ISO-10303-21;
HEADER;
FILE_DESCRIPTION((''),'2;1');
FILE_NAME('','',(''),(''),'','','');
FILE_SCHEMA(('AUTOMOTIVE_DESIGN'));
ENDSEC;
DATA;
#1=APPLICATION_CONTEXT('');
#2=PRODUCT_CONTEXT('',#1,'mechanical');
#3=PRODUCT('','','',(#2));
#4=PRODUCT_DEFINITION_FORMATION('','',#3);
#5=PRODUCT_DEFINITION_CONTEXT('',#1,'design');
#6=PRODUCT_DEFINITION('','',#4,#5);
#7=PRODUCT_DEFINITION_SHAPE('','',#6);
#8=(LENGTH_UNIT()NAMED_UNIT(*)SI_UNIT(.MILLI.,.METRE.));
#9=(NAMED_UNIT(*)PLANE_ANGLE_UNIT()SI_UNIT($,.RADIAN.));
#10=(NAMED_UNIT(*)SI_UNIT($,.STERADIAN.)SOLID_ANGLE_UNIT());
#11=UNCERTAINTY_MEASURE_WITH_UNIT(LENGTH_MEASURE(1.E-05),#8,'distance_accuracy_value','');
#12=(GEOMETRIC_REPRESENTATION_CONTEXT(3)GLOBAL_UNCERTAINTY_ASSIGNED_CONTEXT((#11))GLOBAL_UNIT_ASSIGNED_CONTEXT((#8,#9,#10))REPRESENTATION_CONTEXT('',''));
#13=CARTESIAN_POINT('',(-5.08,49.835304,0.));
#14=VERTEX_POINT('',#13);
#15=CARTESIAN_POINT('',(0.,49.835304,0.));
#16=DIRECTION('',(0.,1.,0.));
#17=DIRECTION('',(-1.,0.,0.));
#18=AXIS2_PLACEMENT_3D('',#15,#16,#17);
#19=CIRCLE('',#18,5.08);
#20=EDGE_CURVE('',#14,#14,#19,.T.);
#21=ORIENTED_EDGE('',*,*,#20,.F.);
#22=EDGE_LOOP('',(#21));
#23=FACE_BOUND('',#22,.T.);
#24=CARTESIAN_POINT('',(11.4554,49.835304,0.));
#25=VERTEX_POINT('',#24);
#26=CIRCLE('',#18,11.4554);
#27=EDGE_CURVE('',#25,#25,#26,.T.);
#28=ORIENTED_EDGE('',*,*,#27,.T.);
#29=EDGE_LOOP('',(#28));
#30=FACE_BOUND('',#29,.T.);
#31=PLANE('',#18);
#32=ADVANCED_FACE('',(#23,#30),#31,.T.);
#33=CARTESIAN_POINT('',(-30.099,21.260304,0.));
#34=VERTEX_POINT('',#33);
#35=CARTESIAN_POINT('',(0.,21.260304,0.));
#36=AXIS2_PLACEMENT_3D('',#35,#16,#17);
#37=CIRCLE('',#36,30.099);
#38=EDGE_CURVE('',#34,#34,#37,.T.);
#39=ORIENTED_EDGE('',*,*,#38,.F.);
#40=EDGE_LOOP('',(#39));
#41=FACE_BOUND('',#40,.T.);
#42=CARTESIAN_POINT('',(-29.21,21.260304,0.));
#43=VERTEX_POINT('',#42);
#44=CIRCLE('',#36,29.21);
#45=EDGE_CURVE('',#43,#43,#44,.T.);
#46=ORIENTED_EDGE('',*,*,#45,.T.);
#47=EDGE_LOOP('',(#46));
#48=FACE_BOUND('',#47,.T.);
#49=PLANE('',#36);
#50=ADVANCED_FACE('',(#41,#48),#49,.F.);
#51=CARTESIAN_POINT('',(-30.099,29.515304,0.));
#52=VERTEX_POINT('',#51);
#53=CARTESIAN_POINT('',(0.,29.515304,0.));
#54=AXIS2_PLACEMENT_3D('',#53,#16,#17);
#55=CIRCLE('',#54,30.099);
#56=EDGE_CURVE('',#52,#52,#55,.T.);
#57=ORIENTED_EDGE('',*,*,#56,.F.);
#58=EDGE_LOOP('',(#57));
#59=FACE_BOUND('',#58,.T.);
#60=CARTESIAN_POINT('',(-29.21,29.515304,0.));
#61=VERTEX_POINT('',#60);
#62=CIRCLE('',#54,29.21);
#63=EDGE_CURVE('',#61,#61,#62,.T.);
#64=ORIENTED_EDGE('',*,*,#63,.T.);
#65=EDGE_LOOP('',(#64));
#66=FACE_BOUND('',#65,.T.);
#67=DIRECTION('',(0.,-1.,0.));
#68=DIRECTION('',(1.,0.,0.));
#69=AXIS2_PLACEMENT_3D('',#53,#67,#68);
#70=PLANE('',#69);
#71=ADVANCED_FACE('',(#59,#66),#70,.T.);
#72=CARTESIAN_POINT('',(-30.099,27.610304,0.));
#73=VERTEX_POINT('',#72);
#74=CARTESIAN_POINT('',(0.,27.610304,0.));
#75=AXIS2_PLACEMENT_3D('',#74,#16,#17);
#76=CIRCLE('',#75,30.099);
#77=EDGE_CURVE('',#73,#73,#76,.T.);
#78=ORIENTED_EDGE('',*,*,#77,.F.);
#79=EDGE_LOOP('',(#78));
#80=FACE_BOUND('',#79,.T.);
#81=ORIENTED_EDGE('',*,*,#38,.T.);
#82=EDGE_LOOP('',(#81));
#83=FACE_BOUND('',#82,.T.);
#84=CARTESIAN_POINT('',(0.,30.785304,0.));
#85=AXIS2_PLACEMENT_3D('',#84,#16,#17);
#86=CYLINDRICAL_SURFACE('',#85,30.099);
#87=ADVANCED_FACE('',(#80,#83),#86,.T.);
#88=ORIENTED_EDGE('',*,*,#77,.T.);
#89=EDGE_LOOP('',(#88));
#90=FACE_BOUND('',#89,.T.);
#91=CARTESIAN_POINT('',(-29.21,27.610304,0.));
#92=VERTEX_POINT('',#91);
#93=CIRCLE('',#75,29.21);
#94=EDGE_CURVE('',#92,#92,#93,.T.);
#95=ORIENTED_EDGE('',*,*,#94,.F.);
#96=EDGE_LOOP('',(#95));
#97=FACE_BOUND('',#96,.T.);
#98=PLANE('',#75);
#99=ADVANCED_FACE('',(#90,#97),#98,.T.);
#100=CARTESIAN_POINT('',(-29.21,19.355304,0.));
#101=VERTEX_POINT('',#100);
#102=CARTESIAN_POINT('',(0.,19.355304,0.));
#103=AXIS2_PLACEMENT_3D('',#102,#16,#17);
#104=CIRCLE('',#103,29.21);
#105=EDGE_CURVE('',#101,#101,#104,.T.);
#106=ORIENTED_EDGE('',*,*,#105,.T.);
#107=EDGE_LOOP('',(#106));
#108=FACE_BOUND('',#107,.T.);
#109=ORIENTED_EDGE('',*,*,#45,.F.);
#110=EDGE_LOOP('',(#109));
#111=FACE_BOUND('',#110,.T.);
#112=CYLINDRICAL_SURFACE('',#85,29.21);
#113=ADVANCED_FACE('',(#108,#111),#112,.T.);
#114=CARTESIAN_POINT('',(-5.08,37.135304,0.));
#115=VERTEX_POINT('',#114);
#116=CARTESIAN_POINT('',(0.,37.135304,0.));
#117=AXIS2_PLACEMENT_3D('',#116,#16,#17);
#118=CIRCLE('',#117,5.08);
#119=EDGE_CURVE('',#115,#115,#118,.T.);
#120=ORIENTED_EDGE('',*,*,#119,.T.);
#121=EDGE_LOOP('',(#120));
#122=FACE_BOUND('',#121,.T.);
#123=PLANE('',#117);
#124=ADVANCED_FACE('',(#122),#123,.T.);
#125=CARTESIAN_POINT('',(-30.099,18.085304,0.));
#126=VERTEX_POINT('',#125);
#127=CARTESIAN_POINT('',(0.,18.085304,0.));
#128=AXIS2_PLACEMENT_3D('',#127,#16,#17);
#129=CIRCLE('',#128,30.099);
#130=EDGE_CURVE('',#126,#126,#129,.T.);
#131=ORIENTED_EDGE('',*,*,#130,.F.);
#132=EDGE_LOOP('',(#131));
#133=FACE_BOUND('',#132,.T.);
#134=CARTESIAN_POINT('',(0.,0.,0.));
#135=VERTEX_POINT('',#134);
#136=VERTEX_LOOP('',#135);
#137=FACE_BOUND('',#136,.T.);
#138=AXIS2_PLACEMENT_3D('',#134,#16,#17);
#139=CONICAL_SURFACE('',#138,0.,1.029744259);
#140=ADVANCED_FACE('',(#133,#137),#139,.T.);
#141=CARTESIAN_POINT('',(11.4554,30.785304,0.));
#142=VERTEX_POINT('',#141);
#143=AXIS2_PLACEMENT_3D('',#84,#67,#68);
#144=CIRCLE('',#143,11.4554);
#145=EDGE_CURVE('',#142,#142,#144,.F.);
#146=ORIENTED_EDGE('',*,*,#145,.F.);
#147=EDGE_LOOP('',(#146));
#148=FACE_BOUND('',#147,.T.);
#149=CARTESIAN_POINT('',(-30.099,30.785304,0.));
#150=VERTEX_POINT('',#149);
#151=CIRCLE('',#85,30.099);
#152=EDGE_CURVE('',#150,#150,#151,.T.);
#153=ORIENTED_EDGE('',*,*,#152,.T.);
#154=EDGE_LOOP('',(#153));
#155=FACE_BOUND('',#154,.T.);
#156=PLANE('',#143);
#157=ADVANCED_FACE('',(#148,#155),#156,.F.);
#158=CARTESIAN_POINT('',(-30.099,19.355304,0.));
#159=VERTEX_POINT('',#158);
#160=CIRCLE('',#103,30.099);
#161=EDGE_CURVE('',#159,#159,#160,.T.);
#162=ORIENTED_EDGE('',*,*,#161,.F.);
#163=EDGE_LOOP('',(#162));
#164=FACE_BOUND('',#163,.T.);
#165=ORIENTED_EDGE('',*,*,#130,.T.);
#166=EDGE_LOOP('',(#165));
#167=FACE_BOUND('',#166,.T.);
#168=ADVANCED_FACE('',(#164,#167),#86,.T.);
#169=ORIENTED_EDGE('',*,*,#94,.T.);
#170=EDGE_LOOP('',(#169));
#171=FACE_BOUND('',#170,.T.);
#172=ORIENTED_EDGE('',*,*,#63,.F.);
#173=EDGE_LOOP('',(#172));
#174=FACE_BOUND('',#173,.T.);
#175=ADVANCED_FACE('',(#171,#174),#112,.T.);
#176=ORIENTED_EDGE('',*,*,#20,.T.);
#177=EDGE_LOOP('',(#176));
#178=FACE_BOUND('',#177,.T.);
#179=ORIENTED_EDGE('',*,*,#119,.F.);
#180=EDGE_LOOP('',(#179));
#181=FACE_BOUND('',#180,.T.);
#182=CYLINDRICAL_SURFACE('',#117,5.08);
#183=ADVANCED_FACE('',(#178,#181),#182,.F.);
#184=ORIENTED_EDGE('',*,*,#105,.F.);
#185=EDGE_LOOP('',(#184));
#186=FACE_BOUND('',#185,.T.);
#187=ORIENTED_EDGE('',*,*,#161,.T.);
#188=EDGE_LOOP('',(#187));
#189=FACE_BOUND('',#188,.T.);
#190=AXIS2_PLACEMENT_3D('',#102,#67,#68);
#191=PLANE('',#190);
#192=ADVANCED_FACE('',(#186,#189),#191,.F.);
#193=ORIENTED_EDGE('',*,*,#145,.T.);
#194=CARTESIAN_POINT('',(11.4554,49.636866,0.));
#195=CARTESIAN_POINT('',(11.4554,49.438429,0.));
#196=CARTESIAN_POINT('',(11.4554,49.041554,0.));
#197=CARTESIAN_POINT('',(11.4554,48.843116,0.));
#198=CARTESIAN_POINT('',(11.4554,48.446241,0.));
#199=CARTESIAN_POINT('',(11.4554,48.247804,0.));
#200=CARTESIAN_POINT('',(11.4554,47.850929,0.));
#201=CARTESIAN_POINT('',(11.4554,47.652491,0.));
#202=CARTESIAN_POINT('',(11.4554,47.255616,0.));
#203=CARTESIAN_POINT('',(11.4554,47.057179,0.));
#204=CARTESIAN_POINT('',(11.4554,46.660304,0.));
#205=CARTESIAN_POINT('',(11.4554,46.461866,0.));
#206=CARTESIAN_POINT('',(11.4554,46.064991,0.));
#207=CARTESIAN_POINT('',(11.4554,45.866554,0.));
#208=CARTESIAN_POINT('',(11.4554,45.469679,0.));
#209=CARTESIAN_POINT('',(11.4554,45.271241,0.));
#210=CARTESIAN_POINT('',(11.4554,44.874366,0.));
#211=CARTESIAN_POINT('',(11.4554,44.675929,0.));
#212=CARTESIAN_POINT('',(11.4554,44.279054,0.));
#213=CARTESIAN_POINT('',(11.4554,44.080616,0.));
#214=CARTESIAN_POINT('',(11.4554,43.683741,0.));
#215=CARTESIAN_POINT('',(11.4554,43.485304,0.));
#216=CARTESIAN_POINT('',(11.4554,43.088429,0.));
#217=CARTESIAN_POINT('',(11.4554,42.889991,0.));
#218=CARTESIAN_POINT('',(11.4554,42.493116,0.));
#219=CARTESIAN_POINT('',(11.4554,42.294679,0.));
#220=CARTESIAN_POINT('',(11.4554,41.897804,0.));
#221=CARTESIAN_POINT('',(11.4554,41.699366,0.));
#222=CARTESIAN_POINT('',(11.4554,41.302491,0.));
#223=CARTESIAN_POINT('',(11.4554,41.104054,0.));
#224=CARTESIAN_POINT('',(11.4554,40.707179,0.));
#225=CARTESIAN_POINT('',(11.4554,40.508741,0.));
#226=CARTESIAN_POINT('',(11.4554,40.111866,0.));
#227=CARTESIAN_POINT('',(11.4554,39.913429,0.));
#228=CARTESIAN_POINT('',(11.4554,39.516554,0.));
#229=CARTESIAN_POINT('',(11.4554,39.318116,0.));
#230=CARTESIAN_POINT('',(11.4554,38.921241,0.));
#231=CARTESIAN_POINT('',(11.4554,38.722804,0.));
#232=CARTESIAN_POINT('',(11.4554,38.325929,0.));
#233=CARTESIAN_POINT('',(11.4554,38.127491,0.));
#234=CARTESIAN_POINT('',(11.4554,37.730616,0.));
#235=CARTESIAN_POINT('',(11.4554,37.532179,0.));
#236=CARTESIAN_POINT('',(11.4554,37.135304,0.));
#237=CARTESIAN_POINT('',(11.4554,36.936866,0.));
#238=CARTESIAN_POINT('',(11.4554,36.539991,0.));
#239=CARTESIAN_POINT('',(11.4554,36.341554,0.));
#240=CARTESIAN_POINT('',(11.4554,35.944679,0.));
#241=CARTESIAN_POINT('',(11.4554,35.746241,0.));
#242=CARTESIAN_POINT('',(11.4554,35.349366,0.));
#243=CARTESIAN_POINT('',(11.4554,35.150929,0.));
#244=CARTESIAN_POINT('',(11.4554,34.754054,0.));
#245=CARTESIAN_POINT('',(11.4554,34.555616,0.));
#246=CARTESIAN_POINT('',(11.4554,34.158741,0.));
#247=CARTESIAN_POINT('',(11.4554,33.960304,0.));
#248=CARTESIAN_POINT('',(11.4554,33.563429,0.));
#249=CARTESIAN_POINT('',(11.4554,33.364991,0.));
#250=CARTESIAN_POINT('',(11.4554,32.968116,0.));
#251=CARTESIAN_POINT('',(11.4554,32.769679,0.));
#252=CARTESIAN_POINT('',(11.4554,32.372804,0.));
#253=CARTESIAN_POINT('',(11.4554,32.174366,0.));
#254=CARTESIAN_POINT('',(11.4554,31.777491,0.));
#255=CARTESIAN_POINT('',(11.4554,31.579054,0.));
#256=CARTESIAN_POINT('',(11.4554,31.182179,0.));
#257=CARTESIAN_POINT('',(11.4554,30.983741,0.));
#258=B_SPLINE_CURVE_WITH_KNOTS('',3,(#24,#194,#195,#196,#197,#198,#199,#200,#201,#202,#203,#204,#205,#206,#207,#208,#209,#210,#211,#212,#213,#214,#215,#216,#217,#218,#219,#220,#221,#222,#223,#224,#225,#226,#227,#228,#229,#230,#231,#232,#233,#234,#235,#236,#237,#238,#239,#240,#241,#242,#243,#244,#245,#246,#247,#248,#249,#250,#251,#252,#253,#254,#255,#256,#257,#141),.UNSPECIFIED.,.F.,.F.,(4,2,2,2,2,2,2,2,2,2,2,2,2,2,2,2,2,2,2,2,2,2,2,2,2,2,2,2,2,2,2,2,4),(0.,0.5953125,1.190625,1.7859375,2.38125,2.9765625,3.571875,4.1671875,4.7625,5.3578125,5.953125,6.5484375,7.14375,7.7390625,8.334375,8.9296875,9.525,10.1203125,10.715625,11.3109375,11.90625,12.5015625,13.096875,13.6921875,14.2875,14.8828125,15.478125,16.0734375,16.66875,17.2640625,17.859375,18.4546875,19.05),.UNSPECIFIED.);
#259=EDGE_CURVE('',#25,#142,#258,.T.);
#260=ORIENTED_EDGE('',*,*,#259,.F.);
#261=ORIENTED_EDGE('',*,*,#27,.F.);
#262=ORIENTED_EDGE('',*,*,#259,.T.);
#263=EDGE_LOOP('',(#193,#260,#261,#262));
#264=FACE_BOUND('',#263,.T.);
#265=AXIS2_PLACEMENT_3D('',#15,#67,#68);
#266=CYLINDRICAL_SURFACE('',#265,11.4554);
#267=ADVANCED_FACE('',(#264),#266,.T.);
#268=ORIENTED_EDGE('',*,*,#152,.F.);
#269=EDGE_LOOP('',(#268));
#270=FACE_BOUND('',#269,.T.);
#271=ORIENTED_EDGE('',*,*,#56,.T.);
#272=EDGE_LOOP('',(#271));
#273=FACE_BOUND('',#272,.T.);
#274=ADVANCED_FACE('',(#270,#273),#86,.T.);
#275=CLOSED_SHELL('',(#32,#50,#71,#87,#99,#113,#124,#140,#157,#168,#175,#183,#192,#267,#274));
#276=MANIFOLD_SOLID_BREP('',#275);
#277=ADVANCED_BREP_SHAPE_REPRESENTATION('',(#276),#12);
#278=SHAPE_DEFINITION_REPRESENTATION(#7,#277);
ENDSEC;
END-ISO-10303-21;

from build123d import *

# Parameters (mm, degrees)
SKETCH2_R           = 11.4554
BOSS_EXTRUDE1_DEPTH = 19.05
SKETCH3_R           = 5.08
CUT_EXTRUDE1_DEPTH  = 12.7


with BuildPart() as part:
    # Sketch1 → Revolve1 (revolve)
    with BuildSketch(Plane.XY, mode=Mode.PRIVATE) as revolve1_sk:
        Polygon((0, 19.05), (0, 0), (30.099, 18.085303772), (30.099, 19.355303772), (29.21, 19.355303772), (29.21, 21.260303772), (30.099, 21.260303772), (30.099, 27.610303772), (29.21, 27.610303772), (29.21, 29.515303772), (30.099, 29.515303772), (30.099, 30.785303772), (0, 30.785303772), align=None)
    revolve(revolve1_sk.sketch.rotate(Axis((0, 30.785303772, 0), (0, -1, 0)), 180), axis=Axis((0, 30.785303772, 0), (0, -1, 0)))

    # Sketch2 → Boss-Extrude1 (add)
    with BuildSketch(Plane(origin=(0, 30.785303772, 0), x_dir=(1, 0, 0), z_dir=(0, 1, 0))):
        Circle(SKETCH2_R)
    extrude(amount=BOSS_EXTRUDE1_DEPTH)

    # Sketch3 → Cut-Extrude1 (cut)
    with BuildSketch(Plane(origin=(0, 49.835303772, 0), x_dir=(1, 0, 0), z_dir=(0, 1, 0))):
        with Locations(Location((0, 0, 0), (0, 0, 180))):
            Circle(SKETCH3_R)
    extrude(amount=-CUT_EXTRUDE1_DEPTH, mode=Mode.SUBTRACT)


solid = part.part
